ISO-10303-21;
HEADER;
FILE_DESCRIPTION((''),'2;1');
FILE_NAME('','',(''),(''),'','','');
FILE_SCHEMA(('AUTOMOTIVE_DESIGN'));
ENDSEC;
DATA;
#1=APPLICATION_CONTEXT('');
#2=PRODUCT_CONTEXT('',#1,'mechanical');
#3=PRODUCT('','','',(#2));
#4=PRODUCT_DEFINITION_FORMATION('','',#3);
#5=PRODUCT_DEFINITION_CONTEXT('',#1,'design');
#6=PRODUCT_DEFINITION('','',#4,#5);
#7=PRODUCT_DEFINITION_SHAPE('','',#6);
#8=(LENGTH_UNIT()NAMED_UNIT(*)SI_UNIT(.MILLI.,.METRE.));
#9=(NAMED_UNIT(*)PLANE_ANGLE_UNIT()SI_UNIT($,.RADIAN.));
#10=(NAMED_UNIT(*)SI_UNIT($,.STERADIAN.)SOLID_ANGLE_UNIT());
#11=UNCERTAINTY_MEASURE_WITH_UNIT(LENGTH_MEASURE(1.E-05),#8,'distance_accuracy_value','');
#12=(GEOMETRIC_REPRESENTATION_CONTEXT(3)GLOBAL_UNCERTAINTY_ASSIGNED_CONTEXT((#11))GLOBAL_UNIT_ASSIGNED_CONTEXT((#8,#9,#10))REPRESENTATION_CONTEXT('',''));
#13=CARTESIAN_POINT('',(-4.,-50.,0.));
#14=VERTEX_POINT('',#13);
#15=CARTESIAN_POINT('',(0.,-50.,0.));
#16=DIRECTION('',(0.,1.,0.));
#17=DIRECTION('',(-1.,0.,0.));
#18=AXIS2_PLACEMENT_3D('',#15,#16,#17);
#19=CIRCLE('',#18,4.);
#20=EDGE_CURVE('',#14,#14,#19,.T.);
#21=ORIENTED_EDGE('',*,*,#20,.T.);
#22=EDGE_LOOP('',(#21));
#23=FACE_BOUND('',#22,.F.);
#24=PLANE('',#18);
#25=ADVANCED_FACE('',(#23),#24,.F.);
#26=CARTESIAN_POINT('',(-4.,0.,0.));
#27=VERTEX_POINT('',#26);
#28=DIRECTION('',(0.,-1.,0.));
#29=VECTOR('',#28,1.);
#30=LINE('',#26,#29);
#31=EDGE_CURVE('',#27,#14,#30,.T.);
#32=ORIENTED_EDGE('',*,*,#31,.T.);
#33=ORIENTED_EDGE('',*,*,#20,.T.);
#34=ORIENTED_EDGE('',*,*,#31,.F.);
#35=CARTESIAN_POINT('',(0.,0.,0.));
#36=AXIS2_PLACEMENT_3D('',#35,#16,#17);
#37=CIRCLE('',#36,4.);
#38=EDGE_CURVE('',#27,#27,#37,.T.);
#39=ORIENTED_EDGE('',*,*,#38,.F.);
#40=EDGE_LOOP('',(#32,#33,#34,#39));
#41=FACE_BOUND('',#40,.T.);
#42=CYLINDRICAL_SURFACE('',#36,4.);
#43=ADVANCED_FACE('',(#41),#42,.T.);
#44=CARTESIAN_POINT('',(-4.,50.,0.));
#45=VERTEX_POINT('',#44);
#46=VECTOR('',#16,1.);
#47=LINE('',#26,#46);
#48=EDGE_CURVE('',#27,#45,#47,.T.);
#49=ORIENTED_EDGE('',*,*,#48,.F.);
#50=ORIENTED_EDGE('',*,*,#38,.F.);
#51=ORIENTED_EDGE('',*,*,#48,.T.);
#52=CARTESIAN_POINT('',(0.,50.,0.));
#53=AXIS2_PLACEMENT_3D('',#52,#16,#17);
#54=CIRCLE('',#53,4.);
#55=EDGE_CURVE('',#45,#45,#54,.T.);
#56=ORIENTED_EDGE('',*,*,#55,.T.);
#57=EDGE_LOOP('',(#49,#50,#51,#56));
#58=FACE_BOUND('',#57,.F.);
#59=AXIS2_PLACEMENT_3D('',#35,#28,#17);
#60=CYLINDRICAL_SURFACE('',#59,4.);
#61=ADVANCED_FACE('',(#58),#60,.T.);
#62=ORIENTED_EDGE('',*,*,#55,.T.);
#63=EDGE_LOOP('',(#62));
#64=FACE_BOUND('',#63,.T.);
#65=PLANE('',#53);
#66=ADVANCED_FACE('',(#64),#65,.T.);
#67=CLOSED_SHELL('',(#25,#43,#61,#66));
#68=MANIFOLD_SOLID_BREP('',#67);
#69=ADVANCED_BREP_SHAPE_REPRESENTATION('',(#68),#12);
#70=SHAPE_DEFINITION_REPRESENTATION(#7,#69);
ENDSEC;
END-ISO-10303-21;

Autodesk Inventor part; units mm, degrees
ref_plane "YZ Plane" through (0, 0, 0) normal (1, 0, 0) x (0, 1, 0)
ref_plane "XZ Plane" through (0, 0, 0) normal (0, 1, 0) x (-1, 0, 0)
ref_plane "XY Plane" through (0, 0, 0) normal (0, 0, 1) x (1, 0, 0)
sketch "Sketch1" plane through (0, 0, 0) normal (0, 1, 0) x (-1, 0, 0)
  circle A0 centre (0, 0) radius 4
  dimension "d0" = 8
extrude "Extrusion1" add sketch "Sketch1" along normal mid plane 100
properties part number "as_d8_l100"
